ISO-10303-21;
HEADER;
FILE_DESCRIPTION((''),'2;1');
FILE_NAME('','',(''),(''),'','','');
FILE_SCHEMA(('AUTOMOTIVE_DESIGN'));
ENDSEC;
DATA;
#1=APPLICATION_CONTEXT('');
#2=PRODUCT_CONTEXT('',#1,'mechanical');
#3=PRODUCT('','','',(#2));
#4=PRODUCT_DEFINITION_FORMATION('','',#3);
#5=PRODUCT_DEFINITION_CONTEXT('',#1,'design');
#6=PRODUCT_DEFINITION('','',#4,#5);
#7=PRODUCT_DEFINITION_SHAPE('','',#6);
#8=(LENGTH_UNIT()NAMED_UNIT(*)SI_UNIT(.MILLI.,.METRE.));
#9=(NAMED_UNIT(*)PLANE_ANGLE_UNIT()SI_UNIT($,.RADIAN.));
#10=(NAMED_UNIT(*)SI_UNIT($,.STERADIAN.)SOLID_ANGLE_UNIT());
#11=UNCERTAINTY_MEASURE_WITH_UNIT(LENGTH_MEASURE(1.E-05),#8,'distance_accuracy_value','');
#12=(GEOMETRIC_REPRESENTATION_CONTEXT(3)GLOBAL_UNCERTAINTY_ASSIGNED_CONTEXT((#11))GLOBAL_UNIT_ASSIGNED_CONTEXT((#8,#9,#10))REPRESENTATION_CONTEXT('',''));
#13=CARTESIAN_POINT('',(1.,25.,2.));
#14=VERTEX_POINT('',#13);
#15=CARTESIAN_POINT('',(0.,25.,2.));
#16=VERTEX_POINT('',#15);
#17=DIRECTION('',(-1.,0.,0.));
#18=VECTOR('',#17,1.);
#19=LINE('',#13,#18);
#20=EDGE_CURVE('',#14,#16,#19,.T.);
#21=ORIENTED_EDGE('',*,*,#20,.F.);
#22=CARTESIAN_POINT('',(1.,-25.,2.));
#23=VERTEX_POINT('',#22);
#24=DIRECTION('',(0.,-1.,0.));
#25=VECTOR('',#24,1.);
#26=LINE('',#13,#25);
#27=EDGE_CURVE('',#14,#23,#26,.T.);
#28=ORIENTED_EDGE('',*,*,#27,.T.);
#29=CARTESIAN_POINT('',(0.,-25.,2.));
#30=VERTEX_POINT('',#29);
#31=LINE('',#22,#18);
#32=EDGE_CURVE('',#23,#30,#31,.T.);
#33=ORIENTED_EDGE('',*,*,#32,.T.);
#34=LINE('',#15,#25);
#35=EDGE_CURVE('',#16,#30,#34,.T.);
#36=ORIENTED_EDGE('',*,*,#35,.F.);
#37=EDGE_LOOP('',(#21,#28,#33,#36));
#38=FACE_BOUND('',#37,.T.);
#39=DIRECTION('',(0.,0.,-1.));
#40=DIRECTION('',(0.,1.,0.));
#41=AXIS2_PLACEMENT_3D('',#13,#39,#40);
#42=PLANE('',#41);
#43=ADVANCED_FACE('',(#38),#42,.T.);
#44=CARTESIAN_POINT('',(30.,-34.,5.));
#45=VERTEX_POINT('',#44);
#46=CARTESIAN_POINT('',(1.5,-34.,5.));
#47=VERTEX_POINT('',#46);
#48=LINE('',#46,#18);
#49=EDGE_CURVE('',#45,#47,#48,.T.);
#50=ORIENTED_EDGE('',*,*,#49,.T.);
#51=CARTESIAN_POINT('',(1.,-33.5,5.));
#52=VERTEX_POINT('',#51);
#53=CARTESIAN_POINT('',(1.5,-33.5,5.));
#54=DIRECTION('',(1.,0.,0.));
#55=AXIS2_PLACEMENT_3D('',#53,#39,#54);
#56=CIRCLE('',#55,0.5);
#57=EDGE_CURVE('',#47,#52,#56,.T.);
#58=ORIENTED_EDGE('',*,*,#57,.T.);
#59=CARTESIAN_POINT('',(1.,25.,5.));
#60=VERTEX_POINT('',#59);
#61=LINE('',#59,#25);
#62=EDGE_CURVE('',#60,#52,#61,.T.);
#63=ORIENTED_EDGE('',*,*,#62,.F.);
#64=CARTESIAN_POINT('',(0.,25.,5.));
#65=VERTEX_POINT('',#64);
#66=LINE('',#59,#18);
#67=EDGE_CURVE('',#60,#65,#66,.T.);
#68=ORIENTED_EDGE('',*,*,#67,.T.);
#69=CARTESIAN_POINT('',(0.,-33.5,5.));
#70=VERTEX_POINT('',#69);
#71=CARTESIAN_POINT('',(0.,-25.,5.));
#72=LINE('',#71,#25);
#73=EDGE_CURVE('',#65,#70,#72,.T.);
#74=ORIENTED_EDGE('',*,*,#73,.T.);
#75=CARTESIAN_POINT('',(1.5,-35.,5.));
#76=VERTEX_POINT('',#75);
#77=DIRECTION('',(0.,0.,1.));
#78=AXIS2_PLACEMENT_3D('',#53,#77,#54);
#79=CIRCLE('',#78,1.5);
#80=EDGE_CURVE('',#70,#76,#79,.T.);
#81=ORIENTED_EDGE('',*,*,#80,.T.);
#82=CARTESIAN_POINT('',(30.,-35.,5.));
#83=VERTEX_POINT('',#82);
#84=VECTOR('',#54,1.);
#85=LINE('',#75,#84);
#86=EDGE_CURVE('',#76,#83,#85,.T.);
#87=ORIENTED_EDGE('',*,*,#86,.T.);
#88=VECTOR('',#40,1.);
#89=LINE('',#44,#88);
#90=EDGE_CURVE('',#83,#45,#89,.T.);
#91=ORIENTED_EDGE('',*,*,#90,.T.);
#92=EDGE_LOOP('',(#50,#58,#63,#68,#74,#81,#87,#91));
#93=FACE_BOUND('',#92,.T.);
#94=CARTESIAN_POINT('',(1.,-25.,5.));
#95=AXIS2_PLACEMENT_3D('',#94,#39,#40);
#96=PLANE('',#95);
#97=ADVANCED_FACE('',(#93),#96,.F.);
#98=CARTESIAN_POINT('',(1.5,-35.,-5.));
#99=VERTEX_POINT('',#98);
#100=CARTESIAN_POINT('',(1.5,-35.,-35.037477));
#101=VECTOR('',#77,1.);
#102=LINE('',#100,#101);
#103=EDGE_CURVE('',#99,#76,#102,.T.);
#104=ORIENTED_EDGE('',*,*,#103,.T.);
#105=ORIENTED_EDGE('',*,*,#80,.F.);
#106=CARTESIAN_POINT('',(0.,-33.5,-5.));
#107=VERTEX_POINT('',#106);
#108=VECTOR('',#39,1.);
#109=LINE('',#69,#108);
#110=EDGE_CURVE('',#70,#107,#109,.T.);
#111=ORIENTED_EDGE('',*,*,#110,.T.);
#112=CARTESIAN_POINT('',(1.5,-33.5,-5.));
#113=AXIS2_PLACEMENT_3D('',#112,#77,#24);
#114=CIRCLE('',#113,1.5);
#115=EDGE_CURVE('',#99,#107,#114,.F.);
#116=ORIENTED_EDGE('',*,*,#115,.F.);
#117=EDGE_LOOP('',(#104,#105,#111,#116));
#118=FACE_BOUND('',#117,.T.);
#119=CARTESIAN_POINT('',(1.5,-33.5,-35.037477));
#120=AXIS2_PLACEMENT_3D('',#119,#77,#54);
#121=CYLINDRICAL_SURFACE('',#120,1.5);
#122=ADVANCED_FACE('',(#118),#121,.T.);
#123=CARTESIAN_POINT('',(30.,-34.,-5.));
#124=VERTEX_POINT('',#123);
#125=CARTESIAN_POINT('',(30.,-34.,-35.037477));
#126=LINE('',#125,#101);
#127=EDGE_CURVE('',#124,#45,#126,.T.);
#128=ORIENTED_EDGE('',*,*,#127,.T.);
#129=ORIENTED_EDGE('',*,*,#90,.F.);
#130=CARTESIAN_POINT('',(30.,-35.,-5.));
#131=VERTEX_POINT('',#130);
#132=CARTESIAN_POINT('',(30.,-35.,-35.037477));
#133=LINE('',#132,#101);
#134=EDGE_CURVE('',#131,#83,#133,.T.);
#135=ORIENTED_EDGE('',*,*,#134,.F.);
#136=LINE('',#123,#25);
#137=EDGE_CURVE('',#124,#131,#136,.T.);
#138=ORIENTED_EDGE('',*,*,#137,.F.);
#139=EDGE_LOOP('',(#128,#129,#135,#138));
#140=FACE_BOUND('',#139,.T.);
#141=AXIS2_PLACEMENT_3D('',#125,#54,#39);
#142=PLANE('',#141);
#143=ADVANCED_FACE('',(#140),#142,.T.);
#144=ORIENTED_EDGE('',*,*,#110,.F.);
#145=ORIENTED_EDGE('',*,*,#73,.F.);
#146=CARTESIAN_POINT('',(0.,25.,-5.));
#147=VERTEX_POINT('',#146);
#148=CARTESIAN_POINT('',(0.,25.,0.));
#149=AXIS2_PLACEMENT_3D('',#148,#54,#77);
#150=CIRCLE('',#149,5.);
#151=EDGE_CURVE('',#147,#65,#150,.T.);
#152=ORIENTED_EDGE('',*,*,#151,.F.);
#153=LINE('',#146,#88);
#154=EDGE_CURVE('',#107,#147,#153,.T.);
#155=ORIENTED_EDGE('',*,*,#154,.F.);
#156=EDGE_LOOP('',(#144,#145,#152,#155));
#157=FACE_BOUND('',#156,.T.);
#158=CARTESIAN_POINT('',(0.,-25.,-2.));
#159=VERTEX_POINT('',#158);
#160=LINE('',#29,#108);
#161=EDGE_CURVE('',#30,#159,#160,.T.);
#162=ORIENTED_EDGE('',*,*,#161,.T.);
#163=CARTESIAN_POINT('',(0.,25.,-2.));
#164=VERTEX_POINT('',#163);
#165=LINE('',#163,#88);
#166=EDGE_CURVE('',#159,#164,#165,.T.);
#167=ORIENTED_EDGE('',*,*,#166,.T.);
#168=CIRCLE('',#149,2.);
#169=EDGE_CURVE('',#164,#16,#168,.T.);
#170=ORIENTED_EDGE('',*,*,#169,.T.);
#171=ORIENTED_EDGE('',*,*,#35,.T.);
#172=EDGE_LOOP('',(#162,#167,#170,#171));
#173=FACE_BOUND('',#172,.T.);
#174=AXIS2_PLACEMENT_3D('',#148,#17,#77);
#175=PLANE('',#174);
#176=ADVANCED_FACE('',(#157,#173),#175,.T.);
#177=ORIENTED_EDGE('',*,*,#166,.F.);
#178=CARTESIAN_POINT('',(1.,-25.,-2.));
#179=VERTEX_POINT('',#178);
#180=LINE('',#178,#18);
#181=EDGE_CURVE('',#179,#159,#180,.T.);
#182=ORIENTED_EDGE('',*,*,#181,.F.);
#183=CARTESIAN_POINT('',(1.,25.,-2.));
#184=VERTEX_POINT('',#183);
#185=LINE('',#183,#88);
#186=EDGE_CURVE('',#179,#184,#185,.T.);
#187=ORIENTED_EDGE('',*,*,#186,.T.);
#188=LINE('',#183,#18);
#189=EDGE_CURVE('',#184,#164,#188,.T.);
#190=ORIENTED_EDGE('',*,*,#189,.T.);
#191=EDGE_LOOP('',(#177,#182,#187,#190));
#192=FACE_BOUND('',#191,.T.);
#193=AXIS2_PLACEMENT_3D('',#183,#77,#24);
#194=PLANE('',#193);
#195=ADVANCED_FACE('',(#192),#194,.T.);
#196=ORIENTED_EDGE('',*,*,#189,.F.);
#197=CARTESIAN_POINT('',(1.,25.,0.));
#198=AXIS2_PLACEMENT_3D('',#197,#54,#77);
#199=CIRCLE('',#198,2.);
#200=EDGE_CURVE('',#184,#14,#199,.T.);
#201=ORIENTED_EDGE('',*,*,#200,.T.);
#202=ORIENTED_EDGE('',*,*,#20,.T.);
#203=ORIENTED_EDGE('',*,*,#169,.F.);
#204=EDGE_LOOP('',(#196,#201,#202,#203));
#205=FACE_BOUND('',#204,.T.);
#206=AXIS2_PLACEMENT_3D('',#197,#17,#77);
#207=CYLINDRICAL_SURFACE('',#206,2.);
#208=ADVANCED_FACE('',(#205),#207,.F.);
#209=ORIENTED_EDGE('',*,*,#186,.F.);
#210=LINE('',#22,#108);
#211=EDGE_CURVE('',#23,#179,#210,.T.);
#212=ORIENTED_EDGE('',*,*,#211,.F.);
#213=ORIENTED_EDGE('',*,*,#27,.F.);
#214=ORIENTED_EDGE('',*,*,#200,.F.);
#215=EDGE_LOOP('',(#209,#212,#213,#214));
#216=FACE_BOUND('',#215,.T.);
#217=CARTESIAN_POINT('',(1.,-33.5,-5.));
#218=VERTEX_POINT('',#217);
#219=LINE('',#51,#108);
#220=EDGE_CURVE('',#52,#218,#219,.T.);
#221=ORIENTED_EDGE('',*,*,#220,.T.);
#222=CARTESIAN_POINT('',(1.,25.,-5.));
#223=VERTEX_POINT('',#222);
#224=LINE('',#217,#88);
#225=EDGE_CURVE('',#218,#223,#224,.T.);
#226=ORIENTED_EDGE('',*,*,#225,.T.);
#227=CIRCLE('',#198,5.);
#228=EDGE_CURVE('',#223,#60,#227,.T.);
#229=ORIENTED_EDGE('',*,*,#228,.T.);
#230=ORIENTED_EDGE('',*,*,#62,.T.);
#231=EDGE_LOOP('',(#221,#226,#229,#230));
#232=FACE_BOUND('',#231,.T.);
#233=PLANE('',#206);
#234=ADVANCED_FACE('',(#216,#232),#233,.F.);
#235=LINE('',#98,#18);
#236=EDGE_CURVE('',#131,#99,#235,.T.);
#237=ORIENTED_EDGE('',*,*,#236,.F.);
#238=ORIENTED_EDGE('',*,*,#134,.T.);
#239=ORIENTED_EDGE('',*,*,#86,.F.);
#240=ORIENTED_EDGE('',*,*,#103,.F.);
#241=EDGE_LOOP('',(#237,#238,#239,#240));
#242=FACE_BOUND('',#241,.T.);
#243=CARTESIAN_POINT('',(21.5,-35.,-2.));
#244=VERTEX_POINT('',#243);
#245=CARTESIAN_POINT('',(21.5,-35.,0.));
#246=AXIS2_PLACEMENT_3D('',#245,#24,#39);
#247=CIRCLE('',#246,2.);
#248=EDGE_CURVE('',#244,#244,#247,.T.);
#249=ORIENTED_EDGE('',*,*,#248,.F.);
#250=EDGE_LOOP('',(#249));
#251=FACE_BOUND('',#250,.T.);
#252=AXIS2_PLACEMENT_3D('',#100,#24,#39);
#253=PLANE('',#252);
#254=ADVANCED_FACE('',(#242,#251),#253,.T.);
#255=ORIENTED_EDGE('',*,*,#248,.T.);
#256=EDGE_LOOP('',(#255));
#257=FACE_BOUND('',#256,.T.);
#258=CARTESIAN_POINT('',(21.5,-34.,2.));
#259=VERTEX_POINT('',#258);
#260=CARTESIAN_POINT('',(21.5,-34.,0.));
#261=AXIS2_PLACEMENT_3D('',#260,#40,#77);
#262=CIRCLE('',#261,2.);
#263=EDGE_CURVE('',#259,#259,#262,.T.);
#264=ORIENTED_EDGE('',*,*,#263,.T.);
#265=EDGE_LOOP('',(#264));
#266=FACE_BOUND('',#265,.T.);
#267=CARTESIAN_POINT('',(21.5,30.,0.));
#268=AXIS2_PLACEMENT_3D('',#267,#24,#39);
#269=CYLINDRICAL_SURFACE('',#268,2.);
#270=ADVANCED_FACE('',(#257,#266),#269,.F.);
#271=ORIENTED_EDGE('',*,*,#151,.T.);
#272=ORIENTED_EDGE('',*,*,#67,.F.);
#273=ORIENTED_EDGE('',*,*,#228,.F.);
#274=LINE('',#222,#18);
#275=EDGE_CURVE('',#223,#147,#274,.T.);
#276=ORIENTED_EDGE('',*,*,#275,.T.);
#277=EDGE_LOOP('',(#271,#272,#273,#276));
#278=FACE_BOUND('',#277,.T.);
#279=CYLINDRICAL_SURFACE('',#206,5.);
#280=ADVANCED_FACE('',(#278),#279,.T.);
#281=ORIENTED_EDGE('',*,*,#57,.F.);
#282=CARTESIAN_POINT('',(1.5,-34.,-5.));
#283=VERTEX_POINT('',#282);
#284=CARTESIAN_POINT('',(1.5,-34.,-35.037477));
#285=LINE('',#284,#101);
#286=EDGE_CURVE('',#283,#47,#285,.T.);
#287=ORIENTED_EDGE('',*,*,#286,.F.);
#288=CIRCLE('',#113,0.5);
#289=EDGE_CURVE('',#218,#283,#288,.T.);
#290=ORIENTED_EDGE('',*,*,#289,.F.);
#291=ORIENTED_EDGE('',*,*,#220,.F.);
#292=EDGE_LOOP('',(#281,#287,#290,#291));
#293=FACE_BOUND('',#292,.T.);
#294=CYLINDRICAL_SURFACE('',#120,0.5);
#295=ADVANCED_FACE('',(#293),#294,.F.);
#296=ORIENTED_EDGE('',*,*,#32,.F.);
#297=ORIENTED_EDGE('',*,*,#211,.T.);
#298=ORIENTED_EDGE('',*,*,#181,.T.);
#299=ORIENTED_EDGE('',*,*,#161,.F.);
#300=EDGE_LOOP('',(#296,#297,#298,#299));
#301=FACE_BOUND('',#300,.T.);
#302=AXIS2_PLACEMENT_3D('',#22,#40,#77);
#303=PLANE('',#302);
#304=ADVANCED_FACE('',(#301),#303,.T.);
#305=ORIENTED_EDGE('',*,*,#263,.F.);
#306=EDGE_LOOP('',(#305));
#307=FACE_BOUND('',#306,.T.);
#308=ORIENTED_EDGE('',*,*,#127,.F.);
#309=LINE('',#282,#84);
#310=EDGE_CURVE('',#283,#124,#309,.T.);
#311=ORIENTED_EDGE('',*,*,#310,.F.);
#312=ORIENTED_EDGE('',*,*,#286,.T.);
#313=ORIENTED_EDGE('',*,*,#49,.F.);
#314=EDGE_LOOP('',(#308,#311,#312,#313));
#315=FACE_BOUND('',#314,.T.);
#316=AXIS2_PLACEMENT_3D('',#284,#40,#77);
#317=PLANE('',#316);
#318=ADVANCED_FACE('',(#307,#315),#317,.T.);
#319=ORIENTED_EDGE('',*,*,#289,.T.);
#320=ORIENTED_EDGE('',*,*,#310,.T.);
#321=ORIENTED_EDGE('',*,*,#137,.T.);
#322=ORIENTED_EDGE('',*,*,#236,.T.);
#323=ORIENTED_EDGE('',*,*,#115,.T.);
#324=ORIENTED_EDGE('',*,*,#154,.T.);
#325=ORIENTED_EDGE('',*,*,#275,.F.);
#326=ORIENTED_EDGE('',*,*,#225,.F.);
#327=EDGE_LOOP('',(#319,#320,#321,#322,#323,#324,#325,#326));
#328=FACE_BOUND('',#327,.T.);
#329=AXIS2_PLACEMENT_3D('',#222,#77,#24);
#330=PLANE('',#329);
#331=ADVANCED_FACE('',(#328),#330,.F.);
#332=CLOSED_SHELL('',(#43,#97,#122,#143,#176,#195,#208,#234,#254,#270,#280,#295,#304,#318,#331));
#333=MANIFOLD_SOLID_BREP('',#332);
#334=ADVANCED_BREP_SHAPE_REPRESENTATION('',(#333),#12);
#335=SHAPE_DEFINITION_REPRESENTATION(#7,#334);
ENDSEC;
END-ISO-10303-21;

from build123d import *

# Parameters (mm, degrees)
AUFSATZ_LINEAR_AUSTRAGEN1_DEPTH = 1
AUFSATZ_LINEAR_AUSTRAGEN2_DEPTH = 10
SKIZZE3_R                       = 2
SCHNITT_LINEAR_AUSTRAGEN1_DEPTH = 72.763500472


with BuildPart() as part:
    # Skizze1 → Aufsatz-Linear austragen1 (new body)
    with BuildSketch(Plane(origin=(0, 0, 0), x_dir=(0, 0, -1), z_dir=(1, 0, 0))):
        with BuildLine():
            Line((-5, -25), (-5, -33.5))
            Line((-5, -33.5), (5, -33.5))
            Line((5, -33.5), (5, -25))
            Line((5, -25), (5, 25))
            ThreePointArc((5, 25), (0, 30), (-5, 25))
            Line((-5, 25), (-5, -25))
        make_face()
        with BuildLine():
            Line((-2, 25), (-2, -25))
            Line((-2, -25), (2, -25))
            Line((2, -25), (2, 25))
            ThreePointArc((2, 25), (0, 27), (-2, 25))
        make_face(mode=Mode.SUBTRACT)
    extrude(amount=AUFSATZ_LINEAR_AUSTRAGEN1_DEPTH)

    # Skizze2 → Aufsatz-Linear austragen2 (add)
    with BuildSketch(Plane.XY.offset(5)):
        with BuildLine():
            Line((1.5, -34), (30, -34))
            Line((30, -34), (30, -35))
            Line((30, -35), (1.5, -35))
            ThreePointArc((1.5, -35), (0.439339828, -34.560660172), (0, -33.5))
            Line((0, -33.5), (1, -33.5))
            ThreePointArc((1, -33.5), (1.146446609, -33.853553391), (1.5, -34))
        make_face()
    extrude(amount=-AUFSATZ_LINEAR_AUSTRAGEN2_DEPTH)

    # Skizze3 → Schnitt-Linear austragen1 (cut, through all)
    with BuildSketch(Plane.XZ.offset(35)):
        with Locations(Location((21.5, 0, 0), (0, 0, 270))):
            Circle(SKIZZE3_R)
    extrude(amount=-SCHNITT_LINEAR_AUSTRAGEN1_DEPTH, mode=Mode.SUBTRACT)


solid = part.part
